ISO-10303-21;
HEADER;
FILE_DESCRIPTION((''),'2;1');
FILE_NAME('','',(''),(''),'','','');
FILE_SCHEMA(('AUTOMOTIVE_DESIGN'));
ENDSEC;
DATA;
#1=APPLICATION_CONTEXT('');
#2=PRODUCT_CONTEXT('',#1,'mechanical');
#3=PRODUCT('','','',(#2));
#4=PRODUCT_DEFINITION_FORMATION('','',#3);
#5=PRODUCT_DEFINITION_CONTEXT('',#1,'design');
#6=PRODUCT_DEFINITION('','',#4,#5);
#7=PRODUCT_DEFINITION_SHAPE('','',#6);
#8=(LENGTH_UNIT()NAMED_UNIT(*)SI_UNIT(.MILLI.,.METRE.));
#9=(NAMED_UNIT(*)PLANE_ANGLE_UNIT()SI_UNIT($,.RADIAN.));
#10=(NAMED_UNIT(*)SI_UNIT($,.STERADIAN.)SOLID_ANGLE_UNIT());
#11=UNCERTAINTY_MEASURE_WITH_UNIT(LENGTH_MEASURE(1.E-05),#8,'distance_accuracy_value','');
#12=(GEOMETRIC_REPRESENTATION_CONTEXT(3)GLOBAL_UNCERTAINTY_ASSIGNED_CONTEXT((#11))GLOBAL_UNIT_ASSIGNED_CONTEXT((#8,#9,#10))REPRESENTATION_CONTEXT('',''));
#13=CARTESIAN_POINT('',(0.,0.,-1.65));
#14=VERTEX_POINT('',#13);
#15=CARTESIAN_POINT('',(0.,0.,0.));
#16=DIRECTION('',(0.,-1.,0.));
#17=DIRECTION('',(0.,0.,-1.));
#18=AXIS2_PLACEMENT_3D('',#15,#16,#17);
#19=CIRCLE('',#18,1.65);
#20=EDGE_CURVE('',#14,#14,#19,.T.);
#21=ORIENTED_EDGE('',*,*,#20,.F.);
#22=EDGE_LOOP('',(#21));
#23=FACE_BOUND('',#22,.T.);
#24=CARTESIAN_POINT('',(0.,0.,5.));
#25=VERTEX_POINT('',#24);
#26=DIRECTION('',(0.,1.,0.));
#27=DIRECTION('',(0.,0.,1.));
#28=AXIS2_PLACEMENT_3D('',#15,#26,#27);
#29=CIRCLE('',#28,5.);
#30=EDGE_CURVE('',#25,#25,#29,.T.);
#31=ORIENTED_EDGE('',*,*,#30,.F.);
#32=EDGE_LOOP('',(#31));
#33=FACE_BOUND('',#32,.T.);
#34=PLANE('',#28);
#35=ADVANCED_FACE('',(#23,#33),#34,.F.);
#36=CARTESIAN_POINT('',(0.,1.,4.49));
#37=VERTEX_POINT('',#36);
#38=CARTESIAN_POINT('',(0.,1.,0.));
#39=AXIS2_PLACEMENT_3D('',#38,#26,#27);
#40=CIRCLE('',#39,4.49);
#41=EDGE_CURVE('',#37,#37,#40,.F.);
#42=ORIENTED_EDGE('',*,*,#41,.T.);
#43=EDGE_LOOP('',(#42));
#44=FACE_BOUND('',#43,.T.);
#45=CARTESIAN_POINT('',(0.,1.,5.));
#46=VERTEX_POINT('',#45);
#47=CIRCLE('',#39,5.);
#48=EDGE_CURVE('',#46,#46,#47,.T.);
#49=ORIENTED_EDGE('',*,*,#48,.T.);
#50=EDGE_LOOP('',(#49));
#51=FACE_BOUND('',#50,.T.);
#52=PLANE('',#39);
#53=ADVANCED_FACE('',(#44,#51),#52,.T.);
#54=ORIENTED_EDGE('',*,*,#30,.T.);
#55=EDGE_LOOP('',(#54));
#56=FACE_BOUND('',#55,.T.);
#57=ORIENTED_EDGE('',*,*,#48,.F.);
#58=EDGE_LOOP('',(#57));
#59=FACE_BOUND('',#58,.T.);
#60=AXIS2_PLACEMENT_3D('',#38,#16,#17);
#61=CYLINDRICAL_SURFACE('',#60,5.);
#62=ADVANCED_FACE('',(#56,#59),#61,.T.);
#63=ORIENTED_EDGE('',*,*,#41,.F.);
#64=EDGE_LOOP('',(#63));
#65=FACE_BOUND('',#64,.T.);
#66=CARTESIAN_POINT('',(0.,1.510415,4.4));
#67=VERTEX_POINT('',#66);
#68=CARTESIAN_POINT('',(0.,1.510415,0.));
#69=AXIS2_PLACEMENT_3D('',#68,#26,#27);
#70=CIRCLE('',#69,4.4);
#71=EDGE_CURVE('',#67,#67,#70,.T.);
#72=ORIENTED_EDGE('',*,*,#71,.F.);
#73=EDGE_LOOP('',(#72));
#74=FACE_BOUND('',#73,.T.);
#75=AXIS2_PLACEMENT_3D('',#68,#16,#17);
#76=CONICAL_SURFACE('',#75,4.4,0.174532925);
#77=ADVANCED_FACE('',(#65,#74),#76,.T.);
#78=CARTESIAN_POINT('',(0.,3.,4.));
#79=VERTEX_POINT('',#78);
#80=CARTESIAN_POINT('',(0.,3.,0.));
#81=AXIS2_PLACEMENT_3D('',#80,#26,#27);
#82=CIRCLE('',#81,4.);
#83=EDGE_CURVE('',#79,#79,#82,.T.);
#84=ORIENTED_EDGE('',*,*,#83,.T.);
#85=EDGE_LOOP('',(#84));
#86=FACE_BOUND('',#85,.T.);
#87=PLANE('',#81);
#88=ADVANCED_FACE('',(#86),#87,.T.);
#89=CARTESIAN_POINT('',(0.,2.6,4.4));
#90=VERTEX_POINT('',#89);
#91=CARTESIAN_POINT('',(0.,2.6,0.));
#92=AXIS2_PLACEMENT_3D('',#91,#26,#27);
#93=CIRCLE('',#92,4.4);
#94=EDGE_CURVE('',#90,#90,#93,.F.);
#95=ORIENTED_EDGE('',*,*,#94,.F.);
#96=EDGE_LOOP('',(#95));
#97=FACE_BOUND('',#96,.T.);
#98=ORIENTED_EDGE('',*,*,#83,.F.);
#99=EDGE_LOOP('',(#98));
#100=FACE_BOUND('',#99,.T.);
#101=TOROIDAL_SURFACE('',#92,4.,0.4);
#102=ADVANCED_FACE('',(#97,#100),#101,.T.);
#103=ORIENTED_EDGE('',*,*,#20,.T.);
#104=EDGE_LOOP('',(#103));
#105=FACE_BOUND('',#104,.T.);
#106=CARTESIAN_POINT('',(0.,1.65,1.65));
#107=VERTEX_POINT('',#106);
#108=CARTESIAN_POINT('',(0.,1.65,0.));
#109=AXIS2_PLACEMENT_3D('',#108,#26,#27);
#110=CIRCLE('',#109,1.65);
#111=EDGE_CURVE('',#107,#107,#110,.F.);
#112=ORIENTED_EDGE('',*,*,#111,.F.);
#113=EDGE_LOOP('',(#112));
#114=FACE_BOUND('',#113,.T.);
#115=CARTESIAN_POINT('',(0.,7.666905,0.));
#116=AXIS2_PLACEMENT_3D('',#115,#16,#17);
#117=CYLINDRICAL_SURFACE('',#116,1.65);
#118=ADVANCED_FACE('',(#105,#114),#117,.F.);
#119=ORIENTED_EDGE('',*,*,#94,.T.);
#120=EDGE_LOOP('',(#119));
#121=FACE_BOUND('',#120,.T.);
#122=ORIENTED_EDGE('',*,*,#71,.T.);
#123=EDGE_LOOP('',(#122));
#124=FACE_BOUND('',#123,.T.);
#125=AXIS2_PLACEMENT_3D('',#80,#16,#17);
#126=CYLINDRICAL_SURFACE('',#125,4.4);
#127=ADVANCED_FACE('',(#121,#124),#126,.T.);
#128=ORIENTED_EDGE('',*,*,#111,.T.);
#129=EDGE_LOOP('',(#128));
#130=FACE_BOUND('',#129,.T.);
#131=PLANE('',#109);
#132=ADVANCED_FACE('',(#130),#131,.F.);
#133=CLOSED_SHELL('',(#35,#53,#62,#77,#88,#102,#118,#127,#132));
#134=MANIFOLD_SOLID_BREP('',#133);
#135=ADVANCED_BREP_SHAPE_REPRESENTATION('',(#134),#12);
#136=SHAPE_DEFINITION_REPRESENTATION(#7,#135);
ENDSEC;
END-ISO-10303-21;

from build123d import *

# Parameters (mm, degrees)
SKETCH_2_R          = 5
EXTRUDE_1_DEPTH     = 1
SKETCH_3_R          = 4.4
EXTRUDE_2_DEPTH     = 2
FILLET_1_R          = 0.4
CHAMFER_1_SIZE      = 0.09
CHAMFER_1_SIZE2     = 0.510415364
SKETCH_4_R          = 1.65
CUT_EXTRUDE_1_DEPTH = 1.65


with BuildPart() as part:
    # 草图2 → 凸台-拉伸1 (new body)
    with BuildSketch(Plane(origin=(0, 0, 0), x_dir=(1, 0, 0), z_dir=(0, 1, 0))):
        Circle(SKETCH_2_R)
    extrude(amount=EXTRUDE_1_DEPTH)

    # 草图3 → 凸台-拉伸2 (add)
    with BuildSketch(Plane(origin=(0, 1, 0), x_dir=(1, 0, 0), z_dir=(0, 1, 0))):
        Circle(SKETCH_3_R)
    extrude(amount=EXTRUDE_2_DEPTH)

    # 圆角1
    fillet_1_edges = [part.edges().sort_by_distance(p)[0] for p in [
        (-4.4, 3, 0),
    ]]
    fillet(fillet_1_edges, radius=FILLET_1_R)

    # 倒角1
    chamfer_1_edges = [part.edges().sort_by_distance(p)[0] for p in [
        (-4.4, 1, 0),
    ]]
    chamfer_1_side = [part.faces().sort_by_distance(p)[0] for p in [
        (-4.858578644, 1, 0),
    ]]
    chamfer(chamfer_1_edges, length=CHAMFER_1_SIZE, length2=CHAMFER_1_SIZE2, reference=chamfer_1_side[0])

    # 草图4 → 切除-拉伸1 (cut)
    with BuildSketch(Plane.XZ):
        Circle(SKETCH_4_R)
    extrude(amount=-CUT_EXTRUDE_1_DEPTH, mode=Mode.SUBTRACT)


solid = part.part
